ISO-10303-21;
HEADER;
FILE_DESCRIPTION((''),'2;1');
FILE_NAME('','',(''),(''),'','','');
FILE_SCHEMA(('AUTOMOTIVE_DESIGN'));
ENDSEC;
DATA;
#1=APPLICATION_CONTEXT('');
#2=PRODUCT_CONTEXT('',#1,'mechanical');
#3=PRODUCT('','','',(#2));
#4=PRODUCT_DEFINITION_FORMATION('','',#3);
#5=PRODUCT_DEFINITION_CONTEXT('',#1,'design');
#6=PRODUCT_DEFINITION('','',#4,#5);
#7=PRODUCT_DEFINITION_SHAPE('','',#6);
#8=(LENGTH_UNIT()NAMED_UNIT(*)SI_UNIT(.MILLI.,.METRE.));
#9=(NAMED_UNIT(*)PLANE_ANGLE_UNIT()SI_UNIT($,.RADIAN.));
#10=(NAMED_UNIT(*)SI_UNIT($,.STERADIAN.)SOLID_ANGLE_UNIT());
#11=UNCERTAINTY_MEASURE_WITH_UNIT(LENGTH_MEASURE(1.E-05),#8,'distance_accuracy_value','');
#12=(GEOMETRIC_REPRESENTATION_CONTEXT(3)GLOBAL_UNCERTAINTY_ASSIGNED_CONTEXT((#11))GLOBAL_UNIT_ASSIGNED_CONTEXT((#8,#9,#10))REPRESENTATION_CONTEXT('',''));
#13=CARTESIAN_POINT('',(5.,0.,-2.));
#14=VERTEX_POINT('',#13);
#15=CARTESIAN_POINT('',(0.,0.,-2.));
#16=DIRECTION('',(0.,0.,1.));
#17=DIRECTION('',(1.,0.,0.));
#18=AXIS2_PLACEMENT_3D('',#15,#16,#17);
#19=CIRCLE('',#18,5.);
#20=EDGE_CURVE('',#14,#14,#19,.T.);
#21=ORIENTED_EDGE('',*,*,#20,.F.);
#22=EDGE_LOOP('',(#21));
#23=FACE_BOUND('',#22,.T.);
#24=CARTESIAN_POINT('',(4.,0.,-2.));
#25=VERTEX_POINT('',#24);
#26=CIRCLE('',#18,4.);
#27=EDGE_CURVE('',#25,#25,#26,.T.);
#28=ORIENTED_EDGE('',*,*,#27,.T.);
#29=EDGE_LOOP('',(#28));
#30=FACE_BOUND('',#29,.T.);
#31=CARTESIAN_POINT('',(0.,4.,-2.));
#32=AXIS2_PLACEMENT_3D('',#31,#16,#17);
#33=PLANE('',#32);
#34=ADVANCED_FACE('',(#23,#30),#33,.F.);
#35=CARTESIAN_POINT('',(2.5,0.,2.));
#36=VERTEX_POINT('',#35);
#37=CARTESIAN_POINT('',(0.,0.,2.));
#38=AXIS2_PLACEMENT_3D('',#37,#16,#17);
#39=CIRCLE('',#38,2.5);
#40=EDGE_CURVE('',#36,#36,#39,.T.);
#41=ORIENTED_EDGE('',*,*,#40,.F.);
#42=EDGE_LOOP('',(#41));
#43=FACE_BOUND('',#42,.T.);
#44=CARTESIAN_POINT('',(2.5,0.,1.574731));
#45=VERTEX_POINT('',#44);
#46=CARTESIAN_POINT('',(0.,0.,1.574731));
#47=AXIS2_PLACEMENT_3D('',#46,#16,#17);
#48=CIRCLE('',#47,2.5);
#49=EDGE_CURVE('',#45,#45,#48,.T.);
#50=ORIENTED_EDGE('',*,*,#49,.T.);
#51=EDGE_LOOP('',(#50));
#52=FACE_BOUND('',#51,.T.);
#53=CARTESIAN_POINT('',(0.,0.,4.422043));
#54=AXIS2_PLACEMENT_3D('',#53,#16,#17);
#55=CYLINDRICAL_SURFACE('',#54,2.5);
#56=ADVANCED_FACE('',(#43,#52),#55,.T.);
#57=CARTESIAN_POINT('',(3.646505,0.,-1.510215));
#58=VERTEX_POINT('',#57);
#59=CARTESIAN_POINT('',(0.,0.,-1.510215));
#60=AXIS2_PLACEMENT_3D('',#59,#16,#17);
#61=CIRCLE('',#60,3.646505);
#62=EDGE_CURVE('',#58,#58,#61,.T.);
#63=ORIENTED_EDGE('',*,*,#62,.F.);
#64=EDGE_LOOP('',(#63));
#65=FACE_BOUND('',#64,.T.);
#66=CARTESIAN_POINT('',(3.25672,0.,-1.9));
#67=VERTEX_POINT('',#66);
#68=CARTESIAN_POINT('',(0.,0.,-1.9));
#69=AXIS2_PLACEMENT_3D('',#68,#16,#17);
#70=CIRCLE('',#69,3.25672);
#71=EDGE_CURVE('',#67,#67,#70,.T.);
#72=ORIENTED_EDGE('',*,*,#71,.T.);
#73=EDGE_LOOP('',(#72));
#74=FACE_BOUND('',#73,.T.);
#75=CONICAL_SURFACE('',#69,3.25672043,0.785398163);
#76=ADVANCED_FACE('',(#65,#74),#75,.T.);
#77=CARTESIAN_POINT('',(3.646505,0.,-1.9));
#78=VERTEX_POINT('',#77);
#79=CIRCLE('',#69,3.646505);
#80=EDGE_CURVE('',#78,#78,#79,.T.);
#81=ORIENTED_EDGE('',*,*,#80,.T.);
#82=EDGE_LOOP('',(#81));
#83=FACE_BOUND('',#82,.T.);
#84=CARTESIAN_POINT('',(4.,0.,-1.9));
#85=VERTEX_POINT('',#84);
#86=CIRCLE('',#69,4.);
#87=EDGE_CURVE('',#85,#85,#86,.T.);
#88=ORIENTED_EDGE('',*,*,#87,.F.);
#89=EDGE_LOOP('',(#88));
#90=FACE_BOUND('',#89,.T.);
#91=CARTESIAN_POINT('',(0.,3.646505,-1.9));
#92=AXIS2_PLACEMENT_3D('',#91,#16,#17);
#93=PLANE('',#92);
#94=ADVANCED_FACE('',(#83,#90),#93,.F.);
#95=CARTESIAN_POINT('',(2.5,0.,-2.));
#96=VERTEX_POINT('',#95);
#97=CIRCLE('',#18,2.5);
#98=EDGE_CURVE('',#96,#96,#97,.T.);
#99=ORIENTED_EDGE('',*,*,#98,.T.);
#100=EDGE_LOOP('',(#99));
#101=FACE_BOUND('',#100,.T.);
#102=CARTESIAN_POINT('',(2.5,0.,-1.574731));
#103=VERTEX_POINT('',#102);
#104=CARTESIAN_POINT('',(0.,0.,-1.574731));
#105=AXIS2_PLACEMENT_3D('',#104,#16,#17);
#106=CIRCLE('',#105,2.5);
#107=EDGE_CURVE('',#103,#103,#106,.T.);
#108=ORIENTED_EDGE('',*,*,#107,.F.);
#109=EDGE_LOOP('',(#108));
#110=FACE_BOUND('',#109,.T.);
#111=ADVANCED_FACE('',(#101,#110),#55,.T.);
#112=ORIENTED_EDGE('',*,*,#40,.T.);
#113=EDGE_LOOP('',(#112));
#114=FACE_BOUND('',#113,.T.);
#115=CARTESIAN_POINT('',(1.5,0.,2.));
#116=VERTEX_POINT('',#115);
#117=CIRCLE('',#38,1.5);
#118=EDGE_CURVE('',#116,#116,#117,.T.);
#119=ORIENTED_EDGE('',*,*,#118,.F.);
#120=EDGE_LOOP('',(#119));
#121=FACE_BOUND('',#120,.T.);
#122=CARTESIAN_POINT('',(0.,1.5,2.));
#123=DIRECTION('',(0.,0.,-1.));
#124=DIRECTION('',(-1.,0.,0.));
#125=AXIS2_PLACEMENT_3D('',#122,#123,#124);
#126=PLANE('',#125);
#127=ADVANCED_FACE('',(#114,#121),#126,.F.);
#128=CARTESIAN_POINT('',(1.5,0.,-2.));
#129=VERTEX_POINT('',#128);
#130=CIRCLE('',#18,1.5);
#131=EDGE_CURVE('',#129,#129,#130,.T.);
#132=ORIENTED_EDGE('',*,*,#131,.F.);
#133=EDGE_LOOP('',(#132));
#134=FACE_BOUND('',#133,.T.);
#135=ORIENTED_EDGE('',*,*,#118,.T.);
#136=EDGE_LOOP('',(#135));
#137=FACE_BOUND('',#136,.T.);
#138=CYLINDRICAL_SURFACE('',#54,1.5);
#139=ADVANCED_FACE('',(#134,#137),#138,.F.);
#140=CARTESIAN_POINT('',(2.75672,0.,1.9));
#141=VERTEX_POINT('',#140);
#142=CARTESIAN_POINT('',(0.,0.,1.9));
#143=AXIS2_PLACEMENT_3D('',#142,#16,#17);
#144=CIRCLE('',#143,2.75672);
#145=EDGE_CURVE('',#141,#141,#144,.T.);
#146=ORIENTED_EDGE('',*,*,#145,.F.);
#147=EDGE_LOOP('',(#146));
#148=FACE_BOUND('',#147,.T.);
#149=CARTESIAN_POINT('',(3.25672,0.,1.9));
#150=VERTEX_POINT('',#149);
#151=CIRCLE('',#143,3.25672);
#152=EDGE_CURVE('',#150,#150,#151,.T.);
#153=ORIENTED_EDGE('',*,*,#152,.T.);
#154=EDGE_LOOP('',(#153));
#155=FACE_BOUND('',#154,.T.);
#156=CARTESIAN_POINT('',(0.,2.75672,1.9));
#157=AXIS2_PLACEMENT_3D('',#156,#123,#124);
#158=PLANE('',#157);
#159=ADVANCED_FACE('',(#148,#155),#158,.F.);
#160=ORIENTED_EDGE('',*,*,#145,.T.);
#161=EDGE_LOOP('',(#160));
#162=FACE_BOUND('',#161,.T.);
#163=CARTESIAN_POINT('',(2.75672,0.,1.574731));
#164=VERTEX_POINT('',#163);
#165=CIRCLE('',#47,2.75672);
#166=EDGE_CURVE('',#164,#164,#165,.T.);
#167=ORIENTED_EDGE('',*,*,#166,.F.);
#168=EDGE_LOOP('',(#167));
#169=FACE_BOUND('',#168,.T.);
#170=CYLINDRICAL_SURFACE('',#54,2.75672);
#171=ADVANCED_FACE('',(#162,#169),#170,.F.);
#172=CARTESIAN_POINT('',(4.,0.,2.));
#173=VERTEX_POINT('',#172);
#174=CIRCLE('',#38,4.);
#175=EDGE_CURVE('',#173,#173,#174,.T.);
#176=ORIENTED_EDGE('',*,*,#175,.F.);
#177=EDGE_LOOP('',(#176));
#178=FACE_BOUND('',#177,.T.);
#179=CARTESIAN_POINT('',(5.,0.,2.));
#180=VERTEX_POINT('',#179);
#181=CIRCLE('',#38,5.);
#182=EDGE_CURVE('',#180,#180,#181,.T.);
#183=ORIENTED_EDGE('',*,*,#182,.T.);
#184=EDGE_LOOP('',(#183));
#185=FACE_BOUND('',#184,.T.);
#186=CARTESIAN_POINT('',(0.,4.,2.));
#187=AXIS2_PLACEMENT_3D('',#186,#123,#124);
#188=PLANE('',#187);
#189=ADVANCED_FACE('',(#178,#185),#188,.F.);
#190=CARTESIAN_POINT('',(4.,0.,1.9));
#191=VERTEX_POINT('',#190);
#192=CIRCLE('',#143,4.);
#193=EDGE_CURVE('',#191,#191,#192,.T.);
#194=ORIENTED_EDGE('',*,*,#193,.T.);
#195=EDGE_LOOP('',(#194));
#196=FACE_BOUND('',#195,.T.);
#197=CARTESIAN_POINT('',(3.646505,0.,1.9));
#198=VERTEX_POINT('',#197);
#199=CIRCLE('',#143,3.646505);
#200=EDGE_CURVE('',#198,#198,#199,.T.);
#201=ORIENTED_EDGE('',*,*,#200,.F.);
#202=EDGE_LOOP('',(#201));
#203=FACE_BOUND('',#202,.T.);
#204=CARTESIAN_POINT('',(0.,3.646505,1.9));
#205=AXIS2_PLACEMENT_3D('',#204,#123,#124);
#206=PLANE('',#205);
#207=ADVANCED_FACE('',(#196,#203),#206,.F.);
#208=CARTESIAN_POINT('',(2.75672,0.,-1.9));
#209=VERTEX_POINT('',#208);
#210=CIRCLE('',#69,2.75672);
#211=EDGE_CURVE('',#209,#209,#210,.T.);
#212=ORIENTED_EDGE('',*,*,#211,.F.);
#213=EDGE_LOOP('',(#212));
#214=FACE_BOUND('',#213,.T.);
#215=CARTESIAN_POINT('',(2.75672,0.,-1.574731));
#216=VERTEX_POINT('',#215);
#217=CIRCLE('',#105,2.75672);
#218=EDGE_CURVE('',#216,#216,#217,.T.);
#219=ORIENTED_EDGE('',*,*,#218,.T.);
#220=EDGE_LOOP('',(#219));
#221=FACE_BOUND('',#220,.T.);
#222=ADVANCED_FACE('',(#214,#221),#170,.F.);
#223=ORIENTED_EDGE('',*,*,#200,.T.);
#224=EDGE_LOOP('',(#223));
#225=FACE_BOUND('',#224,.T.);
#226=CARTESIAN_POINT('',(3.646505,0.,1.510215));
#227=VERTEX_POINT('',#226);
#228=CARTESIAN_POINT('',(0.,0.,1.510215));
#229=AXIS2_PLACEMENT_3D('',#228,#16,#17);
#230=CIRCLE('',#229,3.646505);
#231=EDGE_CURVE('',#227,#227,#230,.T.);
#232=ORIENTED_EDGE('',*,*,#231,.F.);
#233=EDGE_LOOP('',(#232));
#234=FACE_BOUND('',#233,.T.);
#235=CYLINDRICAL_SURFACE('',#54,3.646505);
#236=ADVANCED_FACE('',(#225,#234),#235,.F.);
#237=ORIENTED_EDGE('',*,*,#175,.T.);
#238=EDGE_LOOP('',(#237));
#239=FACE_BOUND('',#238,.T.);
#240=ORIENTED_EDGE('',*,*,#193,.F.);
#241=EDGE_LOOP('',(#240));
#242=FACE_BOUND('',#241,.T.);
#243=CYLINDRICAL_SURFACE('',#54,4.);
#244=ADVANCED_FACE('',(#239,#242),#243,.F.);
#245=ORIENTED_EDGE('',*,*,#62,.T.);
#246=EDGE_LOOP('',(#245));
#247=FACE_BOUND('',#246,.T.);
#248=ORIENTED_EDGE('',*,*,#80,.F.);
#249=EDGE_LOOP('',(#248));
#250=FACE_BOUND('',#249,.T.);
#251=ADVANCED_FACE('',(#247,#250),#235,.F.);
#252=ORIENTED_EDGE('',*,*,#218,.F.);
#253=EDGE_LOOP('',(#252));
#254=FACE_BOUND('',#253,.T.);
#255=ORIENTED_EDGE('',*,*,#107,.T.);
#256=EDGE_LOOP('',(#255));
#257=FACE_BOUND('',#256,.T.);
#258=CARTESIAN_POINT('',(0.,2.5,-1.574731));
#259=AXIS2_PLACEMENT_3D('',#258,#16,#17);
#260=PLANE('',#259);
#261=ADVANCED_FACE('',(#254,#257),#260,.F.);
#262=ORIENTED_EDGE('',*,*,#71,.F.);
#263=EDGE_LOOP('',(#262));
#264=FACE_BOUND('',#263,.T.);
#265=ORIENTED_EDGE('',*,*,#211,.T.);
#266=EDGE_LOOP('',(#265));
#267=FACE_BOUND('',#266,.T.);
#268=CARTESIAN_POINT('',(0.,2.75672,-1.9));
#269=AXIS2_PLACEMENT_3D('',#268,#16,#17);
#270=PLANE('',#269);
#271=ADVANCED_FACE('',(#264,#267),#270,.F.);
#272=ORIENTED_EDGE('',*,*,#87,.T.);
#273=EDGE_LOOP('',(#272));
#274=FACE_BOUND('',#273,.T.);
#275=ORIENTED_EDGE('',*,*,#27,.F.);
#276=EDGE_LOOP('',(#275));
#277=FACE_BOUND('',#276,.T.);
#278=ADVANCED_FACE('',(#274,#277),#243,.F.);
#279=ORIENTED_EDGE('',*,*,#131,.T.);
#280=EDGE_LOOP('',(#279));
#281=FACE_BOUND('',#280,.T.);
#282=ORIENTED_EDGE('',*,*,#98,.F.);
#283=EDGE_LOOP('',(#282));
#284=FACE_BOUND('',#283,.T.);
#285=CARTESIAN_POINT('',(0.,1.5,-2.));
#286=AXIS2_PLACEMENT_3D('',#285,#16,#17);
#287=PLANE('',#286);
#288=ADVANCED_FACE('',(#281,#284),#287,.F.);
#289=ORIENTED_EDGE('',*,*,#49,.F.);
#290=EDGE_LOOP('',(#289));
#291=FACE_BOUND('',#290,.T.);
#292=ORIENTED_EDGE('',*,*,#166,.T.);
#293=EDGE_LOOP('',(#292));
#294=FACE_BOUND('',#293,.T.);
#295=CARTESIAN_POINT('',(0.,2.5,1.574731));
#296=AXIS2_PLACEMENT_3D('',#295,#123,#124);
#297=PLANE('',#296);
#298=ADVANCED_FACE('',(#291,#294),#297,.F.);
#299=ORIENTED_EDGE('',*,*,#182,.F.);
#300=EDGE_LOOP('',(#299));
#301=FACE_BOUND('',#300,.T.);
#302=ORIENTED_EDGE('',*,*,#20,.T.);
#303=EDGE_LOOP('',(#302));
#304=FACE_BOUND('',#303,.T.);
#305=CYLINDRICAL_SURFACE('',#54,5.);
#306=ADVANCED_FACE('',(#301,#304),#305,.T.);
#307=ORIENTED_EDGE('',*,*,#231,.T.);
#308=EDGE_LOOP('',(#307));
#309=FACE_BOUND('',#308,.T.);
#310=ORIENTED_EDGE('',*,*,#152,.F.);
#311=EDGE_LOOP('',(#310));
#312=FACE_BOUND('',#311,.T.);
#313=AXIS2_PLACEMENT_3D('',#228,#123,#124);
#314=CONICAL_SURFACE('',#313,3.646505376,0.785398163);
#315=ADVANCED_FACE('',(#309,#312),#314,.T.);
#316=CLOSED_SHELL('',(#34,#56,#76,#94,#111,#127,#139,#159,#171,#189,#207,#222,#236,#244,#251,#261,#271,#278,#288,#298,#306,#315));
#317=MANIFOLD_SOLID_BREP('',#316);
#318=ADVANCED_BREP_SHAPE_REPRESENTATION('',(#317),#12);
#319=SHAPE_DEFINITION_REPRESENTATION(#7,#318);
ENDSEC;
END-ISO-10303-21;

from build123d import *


with BuildPart() as part:
    # Esquisse2 → Révolution1 (revolve)
    with BuildSketch(Plane(origin=(0, 0, 0), x_dir=(0, 0, -1), z_dir=(1, 0, 0)), mode=Mode.PRIVATE) as r_volution1_sk:
        Polygon((2, 1.5), (-2, 1.5), (-2, 2.5), (-1.574731183, 2.5), (-1.574731183, 2.75672043), (-1.9, 2.75672043), (-1.9, 3.25672043), (-1.510215054, 3.646505376), (-1.9, 3.646505376), (-1.9, 4), (-2, 4), (-2, 5), (2, 5), (2, 4), (1.9, 4), (1.9, 3.646505376), (1.510215054, 3.646505376), (1.9, 3.25672043), (1.9, 2.75672043), (1.574731183, 2.75672043), (1.574731183, 2.5), (2, 2.5), align=None)
    revolve(r_volution1_sk.sketch.rotate(Axis((0, 0, 4.422043011), (0, 0, -1)), 90), axis=Axis((0, 0, 4.422043011), (0, 0, -1)))


solid = part.part
